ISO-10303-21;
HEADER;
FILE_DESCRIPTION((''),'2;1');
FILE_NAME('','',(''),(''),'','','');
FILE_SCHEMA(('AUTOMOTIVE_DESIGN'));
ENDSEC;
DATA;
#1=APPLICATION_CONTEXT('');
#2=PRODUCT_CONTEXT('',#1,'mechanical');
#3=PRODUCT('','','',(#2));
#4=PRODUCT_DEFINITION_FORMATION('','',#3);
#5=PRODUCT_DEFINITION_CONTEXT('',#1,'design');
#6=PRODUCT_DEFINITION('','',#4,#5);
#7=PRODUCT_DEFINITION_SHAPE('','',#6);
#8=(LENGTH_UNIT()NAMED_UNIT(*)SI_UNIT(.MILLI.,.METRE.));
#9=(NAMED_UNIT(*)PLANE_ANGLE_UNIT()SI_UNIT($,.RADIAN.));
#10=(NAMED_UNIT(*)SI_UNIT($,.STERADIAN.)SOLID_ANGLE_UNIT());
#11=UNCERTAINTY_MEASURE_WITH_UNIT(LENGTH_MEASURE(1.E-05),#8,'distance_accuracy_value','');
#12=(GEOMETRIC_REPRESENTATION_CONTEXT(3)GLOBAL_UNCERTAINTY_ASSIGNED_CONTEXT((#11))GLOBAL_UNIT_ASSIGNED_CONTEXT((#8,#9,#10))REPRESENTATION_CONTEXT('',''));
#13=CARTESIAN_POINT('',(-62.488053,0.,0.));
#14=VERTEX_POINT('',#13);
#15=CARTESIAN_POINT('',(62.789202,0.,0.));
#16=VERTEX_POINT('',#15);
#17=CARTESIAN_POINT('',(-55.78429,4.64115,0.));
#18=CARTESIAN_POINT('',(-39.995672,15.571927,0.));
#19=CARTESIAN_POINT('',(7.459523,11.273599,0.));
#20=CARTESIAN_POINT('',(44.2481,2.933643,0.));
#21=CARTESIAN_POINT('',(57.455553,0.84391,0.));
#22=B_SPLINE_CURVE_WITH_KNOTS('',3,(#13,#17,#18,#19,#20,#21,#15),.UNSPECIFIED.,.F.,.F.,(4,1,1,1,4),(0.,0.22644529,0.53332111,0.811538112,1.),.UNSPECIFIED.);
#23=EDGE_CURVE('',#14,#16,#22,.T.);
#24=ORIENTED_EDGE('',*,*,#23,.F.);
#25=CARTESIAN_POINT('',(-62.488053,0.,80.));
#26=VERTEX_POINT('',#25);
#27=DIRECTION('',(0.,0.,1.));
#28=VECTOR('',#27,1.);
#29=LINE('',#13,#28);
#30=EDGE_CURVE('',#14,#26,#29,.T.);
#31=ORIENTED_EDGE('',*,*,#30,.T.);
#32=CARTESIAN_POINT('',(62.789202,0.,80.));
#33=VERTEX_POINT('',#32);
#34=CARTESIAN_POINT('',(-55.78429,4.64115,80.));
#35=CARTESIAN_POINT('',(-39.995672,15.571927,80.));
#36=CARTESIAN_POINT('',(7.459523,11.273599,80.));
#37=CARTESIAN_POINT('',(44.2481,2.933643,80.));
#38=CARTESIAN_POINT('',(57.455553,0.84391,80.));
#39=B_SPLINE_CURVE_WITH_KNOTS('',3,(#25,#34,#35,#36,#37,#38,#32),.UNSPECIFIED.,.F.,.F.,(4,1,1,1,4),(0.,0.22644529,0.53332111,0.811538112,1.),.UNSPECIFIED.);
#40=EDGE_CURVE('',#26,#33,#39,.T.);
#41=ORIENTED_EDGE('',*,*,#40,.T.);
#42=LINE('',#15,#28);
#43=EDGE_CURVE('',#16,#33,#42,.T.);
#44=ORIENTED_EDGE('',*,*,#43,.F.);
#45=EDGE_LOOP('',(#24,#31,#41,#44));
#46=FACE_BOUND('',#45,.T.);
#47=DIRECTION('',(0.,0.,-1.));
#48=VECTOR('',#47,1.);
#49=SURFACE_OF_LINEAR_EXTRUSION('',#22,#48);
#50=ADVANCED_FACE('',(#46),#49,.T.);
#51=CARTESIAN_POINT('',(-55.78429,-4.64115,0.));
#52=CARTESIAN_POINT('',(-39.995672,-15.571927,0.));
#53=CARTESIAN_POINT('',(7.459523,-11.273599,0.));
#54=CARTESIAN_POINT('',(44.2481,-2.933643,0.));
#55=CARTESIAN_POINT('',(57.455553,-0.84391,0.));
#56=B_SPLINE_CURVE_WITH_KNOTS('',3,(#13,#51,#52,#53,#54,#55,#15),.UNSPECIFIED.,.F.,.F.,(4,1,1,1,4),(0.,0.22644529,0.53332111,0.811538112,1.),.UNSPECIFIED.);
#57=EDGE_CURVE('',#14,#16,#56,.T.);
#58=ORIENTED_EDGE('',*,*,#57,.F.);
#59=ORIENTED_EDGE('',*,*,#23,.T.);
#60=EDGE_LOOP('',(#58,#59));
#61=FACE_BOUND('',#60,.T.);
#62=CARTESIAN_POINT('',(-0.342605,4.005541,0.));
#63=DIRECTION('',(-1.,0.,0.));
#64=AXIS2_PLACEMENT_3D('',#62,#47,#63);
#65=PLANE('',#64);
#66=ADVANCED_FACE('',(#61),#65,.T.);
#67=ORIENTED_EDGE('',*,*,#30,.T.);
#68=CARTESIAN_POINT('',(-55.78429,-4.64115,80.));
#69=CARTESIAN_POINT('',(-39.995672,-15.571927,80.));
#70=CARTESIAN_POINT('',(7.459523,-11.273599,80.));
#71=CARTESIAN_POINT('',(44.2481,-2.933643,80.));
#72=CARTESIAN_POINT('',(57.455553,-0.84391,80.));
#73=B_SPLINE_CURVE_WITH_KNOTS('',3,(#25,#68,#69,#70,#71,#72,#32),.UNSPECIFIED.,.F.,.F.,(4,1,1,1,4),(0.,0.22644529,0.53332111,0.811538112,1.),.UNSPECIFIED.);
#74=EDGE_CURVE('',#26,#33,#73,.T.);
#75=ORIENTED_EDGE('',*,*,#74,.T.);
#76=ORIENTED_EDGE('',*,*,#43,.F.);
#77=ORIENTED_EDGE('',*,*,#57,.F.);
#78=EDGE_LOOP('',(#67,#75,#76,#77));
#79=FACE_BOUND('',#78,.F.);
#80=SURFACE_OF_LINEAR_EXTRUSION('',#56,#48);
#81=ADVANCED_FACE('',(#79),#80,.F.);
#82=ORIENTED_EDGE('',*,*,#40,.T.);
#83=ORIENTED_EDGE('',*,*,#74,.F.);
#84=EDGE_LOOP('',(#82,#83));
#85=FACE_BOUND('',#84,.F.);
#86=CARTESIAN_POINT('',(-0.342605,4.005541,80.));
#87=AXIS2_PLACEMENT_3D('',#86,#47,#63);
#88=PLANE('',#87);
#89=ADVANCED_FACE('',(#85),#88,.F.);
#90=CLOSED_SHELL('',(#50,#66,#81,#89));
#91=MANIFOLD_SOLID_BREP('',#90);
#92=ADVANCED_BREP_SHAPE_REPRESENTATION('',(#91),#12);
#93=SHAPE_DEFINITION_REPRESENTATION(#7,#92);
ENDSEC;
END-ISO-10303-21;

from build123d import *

# Parameters (mm, degrees)
F1_DEPTH = 80


with BuildPart() as f1:
    # F0 (on Top) → F1 (new body)
    with BuildSketch(Plane.XY):
        with BuildLine():
            add(Edge.make_bspline(
                [(-62.488052994, 0), (-55.7842902091, 4.641149541), (-39.9956720698, 15.5719268047), (7.4595234372, 11.2735993615), (44.2481001457, 2.9336430373), (57.4555526458, 0.8439100795), (62.7892017365, 0)],
                knots=[0, 0, 0, 0, 0.2264452899, 0.5333211103, 0.8115381119, 1, 1, 1, 1], degree=3))
            Line((-62.488052994, 0), (62.7892017365, 0))
        make_face()
        with BuildLine():
            Line((62.7892017365, 0), (-62.488052994, 0))
            add(Edge.make_bspline(
                [(-62.488052994, 0), (-55.7842902091, -4.641149541), (-39.9956720698, -15.5719268047), (7.4595234372, -11.2735993615), (44.2481001457, -2.9336430373), (57.4555526458, -0.8439100795), (62.7892017365, 0)],
                knots=[0, 0, 0, 0, 0.2264452899, 0.5333211103, 0.8115381119, 1, 1, 1, 1], degree=3))
        make_face()
    extrude(amount=F1_DEPTH)


solid = f1.part
